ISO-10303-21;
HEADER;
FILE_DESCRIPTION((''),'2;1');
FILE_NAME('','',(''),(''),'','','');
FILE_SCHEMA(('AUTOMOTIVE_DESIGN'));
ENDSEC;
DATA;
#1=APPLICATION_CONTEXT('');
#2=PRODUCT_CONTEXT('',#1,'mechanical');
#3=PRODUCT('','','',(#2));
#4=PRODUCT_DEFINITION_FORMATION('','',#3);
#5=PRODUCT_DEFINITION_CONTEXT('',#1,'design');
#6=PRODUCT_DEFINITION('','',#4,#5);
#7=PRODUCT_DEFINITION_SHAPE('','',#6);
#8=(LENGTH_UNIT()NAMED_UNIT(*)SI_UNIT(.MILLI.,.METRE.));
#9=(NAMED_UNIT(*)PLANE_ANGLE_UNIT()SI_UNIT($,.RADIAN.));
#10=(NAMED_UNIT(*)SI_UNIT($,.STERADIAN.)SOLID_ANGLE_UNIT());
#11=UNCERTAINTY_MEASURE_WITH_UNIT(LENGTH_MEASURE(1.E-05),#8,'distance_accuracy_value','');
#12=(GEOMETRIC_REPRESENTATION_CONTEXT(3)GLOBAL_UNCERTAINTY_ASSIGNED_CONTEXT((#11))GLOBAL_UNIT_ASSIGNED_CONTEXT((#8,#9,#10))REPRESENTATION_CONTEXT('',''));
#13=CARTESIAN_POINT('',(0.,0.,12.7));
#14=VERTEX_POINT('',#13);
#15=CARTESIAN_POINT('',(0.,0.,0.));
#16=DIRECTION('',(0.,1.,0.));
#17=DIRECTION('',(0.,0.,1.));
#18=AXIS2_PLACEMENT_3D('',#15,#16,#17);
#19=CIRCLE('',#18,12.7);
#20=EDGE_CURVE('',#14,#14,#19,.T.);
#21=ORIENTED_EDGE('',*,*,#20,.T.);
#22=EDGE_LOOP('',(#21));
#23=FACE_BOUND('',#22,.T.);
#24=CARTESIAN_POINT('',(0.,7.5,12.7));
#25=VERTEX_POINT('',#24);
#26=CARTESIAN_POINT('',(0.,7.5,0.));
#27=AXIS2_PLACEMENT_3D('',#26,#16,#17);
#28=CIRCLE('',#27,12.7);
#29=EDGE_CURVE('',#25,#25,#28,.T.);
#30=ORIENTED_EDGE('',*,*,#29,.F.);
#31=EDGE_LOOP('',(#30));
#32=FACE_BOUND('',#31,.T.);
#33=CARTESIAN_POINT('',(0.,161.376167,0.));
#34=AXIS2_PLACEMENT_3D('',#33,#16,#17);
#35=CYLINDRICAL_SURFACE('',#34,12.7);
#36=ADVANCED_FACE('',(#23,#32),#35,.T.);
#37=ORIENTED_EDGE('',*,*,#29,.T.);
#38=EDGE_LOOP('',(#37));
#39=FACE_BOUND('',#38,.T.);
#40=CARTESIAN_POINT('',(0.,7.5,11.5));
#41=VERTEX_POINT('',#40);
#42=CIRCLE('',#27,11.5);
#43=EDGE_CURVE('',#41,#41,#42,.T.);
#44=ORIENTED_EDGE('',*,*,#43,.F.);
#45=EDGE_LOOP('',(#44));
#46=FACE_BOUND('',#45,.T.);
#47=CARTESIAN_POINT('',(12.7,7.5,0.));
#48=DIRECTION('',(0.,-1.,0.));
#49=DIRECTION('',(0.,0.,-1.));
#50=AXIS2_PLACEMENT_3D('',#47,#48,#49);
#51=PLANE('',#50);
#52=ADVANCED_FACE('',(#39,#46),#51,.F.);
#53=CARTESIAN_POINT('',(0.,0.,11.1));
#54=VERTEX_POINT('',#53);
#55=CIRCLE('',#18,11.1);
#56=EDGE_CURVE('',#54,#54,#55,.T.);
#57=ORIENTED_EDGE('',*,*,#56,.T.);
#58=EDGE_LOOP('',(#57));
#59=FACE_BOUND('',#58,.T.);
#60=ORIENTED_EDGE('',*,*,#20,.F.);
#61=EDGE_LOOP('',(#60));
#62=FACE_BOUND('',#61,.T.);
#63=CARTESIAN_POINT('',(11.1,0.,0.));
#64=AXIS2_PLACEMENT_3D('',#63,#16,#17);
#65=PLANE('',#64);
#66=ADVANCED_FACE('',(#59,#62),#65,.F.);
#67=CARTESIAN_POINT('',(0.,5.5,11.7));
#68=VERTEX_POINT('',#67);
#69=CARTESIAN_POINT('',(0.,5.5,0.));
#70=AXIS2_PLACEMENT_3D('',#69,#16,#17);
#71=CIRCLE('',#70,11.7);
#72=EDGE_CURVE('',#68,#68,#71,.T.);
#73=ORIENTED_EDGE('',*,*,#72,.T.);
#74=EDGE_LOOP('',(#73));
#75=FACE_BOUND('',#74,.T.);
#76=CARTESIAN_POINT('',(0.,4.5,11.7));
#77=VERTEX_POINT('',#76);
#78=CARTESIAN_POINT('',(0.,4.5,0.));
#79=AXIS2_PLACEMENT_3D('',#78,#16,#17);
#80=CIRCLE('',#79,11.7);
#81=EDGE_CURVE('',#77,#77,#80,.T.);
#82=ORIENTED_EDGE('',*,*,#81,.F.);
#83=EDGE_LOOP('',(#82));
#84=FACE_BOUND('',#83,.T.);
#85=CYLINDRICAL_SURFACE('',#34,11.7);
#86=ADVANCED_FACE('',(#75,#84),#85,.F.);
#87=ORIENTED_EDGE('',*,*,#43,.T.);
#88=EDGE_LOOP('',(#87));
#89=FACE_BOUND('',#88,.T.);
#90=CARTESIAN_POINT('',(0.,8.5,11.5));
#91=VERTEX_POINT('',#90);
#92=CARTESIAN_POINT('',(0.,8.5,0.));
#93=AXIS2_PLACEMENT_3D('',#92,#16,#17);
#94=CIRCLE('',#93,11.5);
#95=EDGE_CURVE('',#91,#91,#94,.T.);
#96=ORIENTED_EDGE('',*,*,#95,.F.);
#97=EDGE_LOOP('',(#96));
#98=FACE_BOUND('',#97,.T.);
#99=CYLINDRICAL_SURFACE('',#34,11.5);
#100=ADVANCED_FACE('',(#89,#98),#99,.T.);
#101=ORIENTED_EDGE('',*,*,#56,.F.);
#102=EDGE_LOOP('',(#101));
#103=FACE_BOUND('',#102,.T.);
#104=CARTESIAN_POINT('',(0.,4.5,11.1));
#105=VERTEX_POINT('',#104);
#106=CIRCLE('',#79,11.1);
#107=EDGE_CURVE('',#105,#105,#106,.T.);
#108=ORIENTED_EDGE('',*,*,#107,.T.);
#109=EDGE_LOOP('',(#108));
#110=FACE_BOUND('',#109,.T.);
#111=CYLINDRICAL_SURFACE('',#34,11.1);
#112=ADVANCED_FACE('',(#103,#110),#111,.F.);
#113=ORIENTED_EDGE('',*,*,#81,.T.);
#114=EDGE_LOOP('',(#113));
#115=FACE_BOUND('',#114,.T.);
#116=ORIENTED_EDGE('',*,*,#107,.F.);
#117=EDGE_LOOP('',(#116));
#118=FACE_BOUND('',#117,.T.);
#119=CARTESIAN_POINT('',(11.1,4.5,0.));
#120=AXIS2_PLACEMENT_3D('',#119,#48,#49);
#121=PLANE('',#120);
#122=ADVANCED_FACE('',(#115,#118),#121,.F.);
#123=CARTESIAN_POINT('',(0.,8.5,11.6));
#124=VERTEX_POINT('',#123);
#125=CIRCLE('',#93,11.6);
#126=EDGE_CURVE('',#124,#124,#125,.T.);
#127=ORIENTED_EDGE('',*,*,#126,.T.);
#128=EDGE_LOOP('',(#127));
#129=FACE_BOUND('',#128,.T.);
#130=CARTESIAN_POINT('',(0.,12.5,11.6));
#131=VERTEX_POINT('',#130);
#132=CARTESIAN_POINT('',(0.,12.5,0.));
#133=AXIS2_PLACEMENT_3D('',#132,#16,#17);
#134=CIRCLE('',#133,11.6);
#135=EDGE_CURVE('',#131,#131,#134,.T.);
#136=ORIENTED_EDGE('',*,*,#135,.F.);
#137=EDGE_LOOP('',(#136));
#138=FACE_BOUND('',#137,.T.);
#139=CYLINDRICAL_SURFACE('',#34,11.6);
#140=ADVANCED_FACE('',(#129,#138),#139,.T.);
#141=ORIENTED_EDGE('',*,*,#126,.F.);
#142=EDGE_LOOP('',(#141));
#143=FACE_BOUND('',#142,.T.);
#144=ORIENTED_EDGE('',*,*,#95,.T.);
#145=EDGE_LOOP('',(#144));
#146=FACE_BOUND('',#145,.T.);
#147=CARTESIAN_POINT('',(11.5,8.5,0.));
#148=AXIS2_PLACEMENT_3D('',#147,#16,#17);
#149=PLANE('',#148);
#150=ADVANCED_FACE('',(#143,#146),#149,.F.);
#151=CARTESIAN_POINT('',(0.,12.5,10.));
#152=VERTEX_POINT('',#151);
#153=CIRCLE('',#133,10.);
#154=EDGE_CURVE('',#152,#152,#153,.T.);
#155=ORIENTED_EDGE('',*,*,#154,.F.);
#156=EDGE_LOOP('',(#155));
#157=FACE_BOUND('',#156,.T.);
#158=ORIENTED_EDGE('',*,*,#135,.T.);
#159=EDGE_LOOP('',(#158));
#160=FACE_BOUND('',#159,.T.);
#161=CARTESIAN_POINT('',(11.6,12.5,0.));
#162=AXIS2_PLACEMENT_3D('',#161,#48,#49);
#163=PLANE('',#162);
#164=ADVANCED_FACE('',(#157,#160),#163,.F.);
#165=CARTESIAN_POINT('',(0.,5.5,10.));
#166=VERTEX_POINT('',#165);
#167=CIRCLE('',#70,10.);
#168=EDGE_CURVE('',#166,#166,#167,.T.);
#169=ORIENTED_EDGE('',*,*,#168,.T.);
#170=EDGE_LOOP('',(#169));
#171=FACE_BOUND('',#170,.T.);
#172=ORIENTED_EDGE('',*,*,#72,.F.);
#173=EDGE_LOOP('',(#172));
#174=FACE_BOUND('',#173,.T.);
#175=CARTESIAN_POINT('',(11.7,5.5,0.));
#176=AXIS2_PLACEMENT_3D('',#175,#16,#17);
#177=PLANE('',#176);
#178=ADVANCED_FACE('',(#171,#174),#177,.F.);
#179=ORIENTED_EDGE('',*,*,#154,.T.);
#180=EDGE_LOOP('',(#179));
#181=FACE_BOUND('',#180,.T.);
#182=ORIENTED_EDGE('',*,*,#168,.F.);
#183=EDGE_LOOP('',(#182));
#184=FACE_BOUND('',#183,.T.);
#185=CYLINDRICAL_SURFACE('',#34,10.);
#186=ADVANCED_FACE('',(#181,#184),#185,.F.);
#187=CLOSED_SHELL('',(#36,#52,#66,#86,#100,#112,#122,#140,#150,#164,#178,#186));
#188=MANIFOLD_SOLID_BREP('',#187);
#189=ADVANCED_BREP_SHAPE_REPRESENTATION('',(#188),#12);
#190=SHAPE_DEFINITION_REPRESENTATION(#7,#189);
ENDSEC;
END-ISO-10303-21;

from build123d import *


with BuildPart() as part:
    # 草图1 → 旋转1 (revolve)
    with BuildSketch(Plane.XY, mode=Mode.PRIVATE) as revolve_1_sk:
        Polygon((12.7, 0), (12.7, 7.5), (11.5, 7.5), (11.5, 8.5), (11.6, 8.5), (11.6, 12.5), (10, 12.5), (10, 5.5), (11.7, 5.5), (11.7, 4.5), (11.1, 4.5), (11.1, 0), align=None)
    revolve(revolve_1_sk.sketch.rotate(Axis((0, 161.376166943, 0), (0, -1, 0)), 90), axis=Axis((0, 161.376166943, 0), (0, -1, 0)))  # turned: the seam where the file's is


solid = part.part
